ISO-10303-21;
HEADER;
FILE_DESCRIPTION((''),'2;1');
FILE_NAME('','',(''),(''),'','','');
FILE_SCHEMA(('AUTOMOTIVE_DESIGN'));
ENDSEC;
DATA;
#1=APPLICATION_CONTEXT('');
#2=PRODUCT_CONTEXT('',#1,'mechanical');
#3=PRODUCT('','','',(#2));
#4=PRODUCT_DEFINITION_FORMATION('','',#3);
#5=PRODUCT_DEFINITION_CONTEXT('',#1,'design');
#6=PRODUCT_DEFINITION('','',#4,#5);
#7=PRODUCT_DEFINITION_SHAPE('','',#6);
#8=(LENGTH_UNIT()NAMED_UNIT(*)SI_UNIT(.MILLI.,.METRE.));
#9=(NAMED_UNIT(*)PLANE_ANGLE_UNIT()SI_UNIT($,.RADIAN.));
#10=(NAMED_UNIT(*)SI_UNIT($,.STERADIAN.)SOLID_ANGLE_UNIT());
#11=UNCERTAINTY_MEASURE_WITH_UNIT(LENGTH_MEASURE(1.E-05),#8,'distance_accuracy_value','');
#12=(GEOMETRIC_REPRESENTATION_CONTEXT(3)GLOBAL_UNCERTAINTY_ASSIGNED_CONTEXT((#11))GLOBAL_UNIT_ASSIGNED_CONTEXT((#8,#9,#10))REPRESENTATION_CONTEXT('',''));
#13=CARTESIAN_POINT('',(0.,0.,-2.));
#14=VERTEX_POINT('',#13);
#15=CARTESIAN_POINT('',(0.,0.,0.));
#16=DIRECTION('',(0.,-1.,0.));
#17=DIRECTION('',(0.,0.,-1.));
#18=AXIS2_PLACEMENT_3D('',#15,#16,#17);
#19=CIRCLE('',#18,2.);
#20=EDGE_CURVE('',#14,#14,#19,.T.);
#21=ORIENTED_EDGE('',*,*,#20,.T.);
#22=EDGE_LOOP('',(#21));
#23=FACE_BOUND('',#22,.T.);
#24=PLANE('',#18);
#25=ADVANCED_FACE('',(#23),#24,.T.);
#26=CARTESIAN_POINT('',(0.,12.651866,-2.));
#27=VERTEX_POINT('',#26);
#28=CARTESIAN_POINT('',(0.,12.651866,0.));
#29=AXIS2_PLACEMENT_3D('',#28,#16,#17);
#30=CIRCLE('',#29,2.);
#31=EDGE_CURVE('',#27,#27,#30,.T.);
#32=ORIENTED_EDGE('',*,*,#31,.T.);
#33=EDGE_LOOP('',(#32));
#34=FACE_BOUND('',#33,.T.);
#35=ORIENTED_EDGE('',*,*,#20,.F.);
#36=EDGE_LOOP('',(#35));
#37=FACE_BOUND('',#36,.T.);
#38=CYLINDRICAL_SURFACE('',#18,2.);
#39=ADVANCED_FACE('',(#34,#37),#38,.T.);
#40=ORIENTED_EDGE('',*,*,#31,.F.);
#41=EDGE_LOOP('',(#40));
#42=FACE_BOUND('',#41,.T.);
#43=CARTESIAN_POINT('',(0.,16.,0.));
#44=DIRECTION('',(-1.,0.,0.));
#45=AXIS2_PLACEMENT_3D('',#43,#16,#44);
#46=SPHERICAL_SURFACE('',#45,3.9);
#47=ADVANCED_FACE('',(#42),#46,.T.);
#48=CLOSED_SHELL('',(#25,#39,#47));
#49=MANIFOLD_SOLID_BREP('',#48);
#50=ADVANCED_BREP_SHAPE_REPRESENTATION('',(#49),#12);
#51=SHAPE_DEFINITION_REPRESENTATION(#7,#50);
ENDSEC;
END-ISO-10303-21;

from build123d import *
from build123d.topology import SkipClean


with BuildPart() as part:
    # Sketch1 → Revolve1 (revolve)
    with SkipClean():  # the faces are left unmerged after this step: merging them gives an invalid solid
        with BuildSketch(Plane.XY):
            with BuildLine():
                ThreePointArc((-2, 12.651866191), (-1.037371232, 12.24049725), (0, 12.1))
                Line((0, 12.1), (0, 19.9))
                ThreePointArc((0, 19.9), (-3.75950275, 17.037371232), (-2, 12.651866191))
            make_face()
            with BuildLine():
                Line((0, 19.9), (0, 12.1))
                ThreePointArc((0, 12.1), (2.757716447, 13.242283553), (3.9, 16))
                ThreePointArc((3.9, 16), (2.757716447, 18.757716447), (0, 19.9))
            make_face()
            with BuildLine():
                Line((-2, 0), (0, 0))
                Line((0, 0), (0, 12.1))
                ThreePointArc((0, 12.1), (-1.037371232, 12.24049725), (-2, 12.651866191))
                Line((-2, 12.651866191), (-2, 0))
            make_face()
        revolve(axis=Axis((0, 0, 0), (0, 1, 0)))


solid = part.part
